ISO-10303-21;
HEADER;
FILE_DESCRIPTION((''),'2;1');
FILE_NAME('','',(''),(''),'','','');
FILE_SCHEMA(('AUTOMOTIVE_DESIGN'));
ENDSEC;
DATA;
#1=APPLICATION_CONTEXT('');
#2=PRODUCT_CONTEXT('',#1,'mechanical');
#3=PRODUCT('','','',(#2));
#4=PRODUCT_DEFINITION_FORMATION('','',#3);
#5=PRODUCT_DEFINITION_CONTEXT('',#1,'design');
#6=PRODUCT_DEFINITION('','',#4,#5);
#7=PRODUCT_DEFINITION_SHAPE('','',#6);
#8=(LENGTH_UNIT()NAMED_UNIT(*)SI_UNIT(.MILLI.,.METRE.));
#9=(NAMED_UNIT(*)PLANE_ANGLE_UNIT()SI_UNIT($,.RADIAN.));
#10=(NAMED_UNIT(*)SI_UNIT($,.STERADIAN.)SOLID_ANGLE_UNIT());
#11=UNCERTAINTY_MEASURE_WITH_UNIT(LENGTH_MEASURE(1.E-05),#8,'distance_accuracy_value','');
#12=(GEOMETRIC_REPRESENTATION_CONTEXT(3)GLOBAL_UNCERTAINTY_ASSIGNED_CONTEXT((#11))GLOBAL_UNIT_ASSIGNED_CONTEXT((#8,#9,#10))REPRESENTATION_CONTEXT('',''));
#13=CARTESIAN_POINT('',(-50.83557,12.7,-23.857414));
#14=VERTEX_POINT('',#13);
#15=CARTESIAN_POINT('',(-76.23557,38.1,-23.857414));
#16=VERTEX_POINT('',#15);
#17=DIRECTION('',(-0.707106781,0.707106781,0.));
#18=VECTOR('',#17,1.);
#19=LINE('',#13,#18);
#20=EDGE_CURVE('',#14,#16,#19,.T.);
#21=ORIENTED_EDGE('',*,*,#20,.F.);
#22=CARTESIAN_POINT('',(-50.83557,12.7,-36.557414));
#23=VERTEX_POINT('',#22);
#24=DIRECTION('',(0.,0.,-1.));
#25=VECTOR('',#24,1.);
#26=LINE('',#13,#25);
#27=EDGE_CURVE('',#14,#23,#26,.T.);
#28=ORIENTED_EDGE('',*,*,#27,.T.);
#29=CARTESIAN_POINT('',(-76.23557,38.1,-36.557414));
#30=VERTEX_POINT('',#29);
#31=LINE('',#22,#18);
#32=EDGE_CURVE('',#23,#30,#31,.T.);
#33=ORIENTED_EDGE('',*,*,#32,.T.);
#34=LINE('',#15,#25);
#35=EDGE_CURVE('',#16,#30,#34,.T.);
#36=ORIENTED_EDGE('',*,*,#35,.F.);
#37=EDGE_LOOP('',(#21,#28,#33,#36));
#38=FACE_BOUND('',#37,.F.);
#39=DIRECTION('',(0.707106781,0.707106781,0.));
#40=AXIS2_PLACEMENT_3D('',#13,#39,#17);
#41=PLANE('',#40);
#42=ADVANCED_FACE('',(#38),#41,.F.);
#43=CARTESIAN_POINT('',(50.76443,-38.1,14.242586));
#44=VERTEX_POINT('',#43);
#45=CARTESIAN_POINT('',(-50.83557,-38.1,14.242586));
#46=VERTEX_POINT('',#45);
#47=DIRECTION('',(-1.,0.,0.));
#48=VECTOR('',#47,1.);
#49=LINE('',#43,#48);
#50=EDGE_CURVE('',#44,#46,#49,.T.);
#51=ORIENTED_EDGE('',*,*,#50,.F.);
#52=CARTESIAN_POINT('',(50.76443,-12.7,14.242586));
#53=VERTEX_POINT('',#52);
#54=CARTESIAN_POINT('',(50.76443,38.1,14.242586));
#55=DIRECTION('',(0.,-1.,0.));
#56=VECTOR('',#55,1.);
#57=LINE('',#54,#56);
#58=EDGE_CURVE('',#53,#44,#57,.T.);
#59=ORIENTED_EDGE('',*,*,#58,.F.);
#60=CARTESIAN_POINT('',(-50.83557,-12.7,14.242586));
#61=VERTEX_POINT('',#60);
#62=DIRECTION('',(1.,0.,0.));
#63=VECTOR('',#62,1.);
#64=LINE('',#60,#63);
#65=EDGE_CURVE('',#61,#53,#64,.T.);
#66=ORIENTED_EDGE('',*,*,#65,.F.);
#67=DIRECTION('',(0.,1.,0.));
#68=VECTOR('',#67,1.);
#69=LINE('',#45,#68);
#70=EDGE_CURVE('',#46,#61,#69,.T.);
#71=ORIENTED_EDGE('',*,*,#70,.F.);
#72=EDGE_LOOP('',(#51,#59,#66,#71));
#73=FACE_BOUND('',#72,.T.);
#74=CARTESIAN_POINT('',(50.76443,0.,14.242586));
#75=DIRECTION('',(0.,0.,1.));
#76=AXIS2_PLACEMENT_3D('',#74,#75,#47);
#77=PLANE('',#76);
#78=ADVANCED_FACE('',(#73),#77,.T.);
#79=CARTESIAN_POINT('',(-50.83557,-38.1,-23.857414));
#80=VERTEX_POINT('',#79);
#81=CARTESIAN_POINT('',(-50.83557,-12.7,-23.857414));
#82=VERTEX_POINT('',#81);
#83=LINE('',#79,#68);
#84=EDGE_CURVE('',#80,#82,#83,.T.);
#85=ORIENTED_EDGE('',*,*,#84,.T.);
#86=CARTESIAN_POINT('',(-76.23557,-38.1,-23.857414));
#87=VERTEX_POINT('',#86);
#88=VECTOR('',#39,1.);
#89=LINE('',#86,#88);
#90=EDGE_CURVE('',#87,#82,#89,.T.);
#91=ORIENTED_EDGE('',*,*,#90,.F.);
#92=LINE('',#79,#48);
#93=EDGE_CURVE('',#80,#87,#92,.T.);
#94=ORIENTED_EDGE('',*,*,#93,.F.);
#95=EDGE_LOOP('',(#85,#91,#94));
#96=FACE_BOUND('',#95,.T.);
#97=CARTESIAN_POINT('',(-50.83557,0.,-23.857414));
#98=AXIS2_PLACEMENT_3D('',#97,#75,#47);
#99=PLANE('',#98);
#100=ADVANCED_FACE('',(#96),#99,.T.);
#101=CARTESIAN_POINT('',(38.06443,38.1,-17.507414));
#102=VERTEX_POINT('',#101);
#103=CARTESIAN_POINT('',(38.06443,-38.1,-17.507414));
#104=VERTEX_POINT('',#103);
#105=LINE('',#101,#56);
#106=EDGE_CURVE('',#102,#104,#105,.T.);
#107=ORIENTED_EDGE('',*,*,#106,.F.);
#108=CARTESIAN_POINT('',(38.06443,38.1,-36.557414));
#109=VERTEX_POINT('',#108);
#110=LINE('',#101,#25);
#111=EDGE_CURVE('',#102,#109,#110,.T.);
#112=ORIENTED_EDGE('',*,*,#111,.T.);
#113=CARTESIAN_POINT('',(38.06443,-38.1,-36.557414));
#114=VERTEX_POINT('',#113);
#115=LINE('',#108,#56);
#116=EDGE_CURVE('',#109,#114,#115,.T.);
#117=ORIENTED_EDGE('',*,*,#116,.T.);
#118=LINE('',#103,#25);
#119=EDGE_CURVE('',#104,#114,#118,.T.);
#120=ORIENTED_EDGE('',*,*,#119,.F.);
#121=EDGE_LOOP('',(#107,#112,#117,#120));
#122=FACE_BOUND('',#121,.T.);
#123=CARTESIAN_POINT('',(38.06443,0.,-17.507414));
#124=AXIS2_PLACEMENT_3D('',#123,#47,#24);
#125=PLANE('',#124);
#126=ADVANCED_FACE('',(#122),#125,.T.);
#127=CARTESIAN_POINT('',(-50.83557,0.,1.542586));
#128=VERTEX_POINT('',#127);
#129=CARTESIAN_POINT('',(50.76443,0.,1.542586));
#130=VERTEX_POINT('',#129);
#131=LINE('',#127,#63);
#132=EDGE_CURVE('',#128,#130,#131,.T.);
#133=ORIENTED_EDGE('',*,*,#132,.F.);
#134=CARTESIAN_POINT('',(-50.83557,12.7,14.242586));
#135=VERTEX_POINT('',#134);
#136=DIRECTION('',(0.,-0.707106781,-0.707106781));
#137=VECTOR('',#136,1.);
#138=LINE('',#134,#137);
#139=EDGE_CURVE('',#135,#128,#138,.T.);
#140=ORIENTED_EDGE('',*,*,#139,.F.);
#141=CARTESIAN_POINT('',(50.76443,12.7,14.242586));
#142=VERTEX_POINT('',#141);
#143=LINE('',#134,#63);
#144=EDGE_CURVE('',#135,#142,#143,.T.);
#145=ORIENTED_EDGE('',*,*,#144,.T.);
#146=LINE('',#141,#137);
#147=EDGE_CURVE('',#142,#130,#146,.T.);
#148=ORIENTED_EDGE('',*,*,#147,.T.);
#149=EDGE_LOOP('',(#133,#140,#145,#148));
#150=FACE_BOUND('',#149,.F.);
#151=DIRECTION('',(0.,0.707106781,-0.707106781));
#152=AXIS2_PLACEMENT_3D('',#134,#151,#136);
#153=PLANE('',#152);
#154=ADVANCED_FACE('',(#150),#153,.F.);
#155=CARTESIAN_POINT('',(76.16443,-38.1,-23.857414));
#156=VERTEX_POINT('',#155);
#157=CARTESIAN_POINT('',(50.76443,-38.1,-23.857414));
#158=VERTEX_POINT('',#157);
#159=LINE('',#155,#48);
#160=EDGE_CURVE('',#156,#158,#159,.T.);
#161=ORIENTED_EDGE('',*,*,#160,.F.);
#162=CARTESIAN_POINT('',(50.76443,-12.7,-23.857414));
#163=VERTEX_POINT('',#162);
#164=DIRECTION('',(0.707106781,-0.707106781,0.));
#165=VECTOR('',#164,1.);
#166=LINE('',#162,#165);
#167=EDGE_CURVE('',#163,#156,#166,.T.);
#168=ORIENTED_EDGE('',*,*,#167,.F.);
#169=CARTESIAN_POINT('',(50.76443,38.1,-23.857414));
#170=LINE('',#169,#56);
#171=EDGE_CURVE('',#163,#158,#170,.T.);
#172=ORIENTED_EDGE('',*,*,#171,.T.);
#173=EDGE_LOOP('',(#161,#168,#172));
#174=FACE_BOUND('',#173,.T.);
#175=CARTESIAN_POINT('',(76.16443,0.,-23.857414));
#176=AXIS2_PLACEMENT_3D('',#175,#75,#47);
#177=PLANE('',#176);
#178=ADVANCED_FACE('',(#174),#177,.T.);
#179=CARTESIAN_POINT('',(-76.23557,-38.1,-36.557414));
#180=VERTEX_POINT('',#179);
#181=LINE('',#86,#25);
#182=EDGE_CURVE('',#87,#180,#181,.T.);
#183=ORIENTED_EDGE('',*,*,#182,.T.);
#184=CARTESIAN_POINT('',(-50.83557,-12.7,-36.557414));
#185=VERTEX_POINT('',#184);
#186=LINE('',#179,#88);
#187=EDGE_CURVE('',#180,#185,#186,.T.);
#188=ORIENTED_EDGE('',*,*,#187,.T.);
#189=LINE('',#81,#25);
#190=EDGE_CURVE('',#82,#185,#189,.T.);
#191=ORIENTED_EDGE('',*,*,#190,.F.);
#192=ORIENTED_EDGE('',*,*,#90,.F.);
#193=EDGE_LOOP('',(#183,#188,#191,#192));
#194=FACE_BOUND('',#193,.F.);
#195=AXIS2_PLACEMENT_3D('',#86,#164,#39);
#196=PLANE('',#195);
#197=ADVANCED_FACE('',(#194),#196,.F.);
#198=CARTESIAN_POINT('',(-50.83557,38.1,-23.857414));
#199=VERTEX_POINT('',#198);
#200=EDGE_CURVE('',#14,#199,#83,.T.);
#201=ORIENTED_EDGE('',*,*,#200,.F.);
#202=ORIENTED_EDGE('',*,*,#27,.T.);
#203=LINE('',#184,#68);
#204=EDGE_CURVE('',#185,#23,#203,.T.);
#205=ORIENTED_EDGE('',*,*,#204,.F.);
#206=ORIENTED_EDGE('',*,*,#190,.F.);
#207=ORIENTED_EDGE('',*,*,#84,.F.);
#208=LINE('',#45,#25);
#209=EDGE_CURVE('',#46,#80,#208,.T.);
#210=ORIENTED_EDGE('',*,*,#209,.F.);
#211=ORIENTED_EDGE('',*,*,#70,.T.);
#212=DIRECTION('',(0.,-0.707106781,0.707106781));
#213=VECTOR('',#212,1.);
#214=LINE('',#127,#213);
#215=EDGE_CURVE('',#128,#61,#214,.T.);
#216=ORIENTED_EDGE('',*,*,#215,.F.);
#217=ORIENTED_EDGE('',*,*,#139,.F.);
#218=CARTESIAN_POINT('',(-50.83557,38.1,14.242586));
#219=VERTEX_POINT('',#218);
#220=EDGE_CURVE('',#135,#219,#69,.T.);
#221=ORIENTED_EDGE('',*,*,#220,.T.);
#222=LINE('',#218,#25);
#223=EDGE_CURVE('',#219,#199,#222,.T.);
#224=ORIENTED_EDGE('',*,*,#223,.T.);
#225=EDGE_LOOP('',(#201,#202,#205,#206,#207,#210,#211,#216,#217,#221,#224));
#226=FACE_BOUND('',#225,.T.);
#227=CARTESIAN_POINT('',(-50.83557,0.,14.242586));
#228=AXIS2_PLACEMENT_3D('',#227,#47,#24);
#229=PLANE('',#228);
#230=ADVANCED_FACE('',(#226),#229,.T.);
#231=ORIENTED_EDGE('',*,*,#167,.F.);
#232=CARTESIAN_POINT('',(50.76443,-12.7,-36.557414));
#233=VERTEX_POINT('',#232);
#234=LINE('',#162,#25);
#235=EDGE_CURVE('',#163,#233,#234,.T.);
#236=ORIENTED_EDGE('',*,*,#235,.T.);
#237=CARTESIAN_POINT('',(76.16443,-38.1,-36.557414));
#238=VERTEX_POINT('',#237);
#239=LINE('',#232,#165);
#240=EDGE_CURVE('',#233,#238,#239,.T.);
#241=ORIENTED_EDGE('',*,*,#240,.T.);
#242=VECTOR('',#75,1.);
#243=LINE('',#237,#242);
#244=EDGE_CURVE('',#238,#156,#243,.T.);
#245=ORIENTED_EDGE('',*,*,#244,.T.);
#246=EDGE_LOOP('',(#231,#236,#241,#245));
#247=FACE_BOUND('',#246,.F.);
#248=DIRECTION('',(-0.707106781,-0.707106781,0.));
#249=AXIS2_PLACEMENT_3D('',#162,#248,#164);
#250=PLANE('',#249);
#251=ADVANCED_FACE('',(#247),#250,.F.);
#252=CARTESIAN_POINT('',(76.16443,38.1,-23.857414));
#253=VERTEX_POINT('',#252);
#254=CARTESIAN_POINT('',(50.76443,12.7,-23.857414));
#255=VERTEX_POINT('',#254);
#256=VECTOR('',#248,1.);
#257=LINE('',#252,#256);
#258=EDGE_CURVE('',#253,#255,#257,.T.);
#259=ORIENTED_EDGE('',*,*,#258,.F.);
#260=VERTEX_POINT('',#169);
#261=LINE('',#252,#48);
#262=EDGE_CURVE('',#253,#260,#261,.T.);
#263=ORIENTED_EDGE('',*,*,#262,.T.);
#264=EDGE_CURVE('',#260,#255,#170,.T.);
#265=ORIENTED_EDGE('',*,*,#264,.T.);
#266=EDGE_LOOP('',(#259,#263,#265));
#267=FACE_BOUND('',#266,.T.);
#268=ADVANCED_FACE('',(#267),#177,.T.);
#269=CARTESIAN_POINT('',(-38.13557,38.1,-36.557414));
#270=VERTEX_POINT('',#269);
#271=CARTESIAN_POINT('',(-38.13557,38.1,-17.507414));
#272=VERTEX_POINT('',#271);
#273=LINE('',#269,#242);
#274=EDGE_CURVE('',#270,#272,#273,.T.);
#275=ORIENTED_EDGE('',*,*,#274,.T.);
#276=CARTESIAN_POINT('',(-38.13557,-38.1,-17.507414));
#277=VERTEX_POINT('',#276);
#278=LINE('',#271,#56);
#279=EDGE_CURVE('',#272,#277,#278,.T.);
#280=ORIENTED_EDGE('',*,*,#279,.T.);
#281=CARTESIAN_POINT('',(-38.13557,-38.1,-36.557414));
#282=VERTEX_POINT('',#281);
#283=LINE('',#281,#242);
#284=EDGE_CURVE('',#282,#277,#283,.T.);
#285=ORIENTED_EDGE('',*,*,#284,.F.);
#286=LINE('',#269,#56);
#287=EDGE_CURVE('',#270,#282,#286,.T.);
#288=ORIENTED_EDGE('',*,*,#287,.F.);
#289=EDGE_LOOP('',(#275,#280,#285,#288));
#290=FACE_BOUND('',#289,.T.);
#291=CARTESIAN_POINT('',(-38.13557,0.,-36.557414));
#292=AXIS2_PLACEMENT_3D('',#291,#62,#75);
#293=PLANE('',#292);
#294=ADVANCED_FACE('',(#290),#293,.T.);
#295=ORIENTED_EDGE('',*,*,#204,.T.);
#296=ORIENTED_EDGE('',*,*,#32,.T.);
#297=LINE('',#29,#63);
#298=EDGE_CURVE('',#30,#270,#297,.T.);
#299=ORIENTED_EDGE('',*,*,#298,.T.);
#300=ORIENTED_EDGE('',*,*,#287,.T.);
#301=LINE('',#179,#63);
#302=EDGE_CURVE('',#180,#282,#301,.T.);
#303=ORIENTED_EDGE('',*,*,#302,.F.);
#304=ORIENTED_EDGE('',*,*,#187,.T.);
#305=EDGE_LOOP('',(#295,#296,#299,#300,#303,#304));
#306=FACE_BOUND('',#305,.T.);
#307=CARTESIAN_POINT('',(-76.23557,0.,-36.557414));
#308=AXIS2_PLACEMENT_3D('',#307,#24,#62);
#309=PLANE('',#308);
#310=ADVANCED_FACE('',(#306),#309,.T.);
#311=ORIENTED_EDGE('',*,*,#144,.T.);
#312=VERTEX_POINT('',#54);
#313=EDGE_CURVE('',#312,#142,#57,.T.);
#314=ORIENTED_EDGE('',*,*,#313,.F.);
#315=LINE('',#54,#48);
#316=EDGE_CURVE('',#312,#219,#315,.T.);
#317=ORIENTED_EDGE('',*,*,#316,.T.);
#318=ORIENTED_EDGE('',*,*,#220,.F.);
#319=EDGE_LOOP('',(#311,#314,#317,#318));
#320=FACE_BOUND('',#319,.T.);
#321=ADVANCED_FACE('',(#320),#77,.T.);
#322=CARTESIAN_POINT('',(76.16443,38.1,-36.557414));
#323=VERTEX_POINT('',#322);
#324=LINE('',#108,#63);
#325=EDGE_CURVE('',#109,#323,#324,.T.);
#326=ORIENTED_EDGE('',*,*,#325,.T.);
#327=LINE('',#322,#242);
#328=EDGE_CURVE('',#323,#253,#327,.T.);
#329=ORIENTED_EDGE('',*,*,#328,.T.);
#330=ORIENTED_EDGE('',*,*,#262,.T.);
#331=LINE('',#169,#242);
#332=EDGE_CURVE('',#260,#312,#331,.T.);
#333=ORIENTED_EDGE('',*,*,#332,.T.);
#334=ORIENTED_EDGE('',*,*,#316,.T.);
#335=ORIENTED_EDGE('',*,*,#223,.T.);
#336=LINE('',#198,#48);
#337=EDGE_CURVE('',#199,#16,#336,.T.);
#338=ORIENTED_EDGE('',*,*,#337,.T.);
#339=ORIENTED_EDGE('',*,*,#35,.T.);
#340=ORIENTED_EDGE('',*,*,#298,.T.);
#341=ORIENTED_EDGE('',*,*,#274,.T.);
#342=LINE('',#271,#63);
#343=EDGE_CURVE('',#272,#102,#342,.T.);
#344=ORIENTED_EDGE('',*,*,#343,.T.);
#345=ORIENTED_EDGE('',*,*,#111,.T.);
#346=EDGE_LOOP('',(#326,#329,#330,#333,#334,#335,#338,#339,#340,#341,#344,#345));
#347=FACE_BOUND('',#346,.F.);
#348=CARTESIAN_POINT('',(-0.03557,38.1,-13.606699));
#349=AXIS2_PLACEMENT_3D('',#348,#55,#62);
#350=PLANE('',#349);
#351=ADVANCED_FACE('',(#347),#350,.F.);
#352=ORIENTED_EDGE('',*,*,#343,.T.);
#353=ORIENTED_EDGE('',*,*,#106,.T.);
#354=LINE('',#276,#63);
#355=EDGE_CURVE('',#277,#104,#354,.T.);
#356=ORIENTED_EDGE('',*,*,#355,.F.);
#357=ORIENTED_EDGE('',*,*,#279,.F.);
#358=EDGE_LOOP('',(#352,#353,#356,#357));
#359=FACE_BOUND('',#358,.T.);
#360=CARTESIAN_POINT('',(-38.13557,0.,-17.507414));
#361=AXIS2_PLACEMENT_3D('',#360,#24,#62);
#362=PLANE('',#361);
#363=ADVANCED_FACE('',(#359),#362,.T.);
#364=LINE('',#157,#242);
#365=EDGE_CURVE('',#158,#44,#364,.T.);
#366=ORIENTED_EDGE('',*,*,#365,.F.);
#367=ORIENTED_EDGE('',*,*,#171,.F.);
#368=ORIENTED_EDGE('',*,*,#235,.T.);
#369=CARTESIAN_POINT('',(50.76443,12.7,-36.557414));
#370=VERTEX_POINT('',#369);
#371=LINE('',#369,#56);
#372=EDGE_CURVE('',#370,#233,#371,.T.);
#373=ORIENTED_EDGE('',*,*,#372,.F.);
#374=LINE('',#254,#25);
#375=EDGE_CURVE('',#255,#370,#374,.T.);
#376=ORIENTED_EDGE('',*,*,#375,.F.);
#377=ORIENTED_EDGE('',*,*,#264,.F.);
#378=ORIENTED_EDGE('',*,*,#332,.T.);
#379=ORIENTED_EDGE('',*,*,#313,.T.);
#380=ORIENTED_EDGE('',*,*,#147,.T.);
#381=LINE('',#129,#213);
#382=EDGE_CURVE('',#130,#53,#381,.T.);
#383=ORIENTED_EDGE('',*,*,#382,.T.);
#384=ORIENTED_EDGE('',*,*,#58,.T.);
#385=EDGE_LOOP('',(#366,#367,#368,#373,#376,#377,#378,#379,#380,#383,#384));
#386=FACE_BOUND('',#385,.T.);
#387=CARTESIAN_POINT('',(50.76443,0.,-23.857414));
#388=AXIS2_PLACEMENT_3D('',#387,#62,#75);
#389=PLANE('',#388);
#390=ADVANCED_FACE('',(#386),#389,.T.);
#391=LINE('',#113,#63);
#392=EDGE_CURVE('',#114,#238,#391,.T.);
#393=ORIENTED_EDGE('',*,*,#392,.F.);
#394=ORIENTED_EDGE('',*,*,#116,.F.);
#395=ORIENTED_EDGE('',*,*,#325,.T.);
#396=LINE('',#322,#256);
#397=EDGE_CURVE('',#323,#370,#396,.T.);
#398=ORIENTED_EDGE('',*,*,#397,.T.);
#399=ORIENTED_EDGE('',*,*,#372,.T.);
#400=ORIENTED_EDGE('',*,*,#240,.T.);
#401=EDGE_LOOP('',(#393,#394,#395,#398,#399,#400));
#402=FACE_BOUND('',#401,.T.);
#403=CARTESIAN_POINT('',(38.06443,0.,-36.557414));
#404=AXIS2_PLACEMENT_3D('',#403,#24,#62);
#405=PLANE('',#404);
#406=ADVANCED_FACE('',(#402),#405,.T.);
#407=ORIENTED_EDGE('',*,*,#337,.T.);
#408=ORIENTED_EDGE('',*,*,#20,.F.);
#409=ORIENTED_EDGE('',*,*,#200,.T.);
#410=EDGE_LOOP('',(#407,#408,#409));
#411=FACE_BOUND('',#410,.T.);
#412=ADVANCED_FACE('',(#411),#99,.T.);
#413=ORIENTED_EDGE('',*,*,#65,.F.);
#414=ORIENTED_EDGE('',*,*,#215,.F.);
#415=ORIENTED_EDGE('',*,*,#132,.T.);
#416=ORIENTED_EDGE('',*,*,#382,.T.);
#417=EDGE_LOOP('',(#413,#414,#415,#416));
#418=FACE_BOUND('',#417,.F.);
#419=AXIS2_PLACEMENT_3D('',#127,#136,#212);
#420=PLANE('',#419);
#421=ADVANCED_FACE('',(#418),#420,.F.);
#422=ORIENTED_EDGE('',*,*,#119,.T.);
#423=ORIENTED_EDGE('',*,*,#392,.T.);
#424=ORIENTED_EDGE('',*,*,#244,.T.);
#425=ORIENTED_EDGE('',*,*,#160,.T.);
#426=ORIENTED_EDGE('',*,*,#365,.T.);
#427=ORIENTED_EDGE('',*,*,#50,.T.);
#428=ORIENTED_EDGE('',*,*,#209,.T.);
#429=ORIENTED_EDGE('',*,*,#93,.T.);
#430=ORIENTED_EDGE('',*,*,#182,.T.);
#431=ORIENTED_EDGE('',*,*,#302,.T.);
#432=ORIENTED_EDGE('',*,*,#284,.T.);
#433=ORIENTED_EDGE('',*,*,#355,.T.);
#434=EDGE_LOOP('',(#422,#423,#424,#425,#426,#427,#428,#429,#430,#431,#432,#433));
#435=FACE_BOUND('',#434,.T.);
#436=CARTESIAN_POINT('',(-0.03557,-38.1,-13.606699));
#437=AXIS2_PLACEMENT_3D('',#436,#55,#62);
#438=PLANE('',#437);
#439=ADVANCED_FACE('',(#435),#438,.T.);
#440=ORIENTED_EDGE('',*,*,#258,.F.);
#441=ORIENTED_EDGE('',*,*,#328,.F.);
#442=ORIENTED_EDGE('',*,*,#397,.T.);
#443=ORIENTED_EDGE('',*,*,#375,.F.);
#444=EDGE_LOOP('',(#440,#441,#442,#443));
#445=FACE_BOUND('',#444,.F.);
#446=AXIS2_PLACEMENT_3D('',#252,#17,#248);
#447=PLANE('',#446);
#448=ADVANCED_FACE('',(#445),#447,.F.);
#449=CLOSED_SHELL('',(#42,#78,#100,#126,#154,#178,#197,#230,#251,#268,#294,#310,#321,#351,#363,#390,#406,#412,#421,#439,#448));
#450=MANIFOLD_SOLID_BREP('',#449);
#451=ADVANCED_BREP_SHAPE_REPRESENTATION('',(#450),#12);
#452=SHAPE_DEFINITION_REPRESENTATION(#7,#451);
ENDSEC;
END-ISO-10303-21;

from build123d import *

# Parameters (mm, degrees)
F1_DEPTH = 38.1
F2_DEPTH = 38.1
F4_DEPTH = 101.6
F7_DEPTH = 12.7


with BuildPart() as f1:
    # F0 (on Front) → F1 (new body)
    with BuildSketch(Plane.XZ):
        Polygon((-76.2355700135, -23.8574136376), (-76.2355700135, -36.5574136376), (-38.1355700135, -36.5574136376), (-38.1355700135, -17.5074136376), (38.0644299865, -17.5074136376), (38.0644299865, -36.5574136376), (76.1644299865, -36.5574136376), (76.1644299865, -23.8574136376), (50.7644299865, -23.8574136376), (50.7644299865, 14.2425863624), (-50.8355700135, 14.2425863624), (-50.8355700135, -23.8574136376), align=None)
    extrude(amount=F1_DEPTH)

    # F2 (add): a face of the model
    f2_faces = [f1.faces().sort_by_distance(p)[0] for p in [
        (-0.0355700135, 0, -8.6879691932),
    ]]
    extrude(f2_faces, amount=F2_DEPTH)

    # F3 (on face) → F4 (cut)
    with BuildSketch(Plane(origin=(-50.8355700135, 0, 0), x_dir=(0, -1, 0), z_dir=(-1, 0, 0))):
        Polygon((12.7, 14.2425863624), (-12.7, 14.2425863624), (0, 1.5425863624), align=None)
    extrude(amount=-F4_DEPTH, mode=Mode.SUBTRACT)

    # F6 (on face) + F5 (on face) → F7 (cut)
    with BuildSketch(Plane.XY.offset(-23.8574136376)):
        Polygon((76.1644299865, 38.1), (50.7644299865, 12.7), (50.7644299865, -12.7), (76.1644299865, -38.1), align=None)
    with BuildSketch(Plane.XY.offset(-23.8574136376)):
        Polygon((-50.8355700135, -12.7), (-50.8355700135, 12.7), (-76.2355700135, 38.1), (-76.2355700135, -38.1), align=None)
    extrude(amount=-F7_DEPTH, mode=Mode.SUBTRACT)


solid = f1.part
